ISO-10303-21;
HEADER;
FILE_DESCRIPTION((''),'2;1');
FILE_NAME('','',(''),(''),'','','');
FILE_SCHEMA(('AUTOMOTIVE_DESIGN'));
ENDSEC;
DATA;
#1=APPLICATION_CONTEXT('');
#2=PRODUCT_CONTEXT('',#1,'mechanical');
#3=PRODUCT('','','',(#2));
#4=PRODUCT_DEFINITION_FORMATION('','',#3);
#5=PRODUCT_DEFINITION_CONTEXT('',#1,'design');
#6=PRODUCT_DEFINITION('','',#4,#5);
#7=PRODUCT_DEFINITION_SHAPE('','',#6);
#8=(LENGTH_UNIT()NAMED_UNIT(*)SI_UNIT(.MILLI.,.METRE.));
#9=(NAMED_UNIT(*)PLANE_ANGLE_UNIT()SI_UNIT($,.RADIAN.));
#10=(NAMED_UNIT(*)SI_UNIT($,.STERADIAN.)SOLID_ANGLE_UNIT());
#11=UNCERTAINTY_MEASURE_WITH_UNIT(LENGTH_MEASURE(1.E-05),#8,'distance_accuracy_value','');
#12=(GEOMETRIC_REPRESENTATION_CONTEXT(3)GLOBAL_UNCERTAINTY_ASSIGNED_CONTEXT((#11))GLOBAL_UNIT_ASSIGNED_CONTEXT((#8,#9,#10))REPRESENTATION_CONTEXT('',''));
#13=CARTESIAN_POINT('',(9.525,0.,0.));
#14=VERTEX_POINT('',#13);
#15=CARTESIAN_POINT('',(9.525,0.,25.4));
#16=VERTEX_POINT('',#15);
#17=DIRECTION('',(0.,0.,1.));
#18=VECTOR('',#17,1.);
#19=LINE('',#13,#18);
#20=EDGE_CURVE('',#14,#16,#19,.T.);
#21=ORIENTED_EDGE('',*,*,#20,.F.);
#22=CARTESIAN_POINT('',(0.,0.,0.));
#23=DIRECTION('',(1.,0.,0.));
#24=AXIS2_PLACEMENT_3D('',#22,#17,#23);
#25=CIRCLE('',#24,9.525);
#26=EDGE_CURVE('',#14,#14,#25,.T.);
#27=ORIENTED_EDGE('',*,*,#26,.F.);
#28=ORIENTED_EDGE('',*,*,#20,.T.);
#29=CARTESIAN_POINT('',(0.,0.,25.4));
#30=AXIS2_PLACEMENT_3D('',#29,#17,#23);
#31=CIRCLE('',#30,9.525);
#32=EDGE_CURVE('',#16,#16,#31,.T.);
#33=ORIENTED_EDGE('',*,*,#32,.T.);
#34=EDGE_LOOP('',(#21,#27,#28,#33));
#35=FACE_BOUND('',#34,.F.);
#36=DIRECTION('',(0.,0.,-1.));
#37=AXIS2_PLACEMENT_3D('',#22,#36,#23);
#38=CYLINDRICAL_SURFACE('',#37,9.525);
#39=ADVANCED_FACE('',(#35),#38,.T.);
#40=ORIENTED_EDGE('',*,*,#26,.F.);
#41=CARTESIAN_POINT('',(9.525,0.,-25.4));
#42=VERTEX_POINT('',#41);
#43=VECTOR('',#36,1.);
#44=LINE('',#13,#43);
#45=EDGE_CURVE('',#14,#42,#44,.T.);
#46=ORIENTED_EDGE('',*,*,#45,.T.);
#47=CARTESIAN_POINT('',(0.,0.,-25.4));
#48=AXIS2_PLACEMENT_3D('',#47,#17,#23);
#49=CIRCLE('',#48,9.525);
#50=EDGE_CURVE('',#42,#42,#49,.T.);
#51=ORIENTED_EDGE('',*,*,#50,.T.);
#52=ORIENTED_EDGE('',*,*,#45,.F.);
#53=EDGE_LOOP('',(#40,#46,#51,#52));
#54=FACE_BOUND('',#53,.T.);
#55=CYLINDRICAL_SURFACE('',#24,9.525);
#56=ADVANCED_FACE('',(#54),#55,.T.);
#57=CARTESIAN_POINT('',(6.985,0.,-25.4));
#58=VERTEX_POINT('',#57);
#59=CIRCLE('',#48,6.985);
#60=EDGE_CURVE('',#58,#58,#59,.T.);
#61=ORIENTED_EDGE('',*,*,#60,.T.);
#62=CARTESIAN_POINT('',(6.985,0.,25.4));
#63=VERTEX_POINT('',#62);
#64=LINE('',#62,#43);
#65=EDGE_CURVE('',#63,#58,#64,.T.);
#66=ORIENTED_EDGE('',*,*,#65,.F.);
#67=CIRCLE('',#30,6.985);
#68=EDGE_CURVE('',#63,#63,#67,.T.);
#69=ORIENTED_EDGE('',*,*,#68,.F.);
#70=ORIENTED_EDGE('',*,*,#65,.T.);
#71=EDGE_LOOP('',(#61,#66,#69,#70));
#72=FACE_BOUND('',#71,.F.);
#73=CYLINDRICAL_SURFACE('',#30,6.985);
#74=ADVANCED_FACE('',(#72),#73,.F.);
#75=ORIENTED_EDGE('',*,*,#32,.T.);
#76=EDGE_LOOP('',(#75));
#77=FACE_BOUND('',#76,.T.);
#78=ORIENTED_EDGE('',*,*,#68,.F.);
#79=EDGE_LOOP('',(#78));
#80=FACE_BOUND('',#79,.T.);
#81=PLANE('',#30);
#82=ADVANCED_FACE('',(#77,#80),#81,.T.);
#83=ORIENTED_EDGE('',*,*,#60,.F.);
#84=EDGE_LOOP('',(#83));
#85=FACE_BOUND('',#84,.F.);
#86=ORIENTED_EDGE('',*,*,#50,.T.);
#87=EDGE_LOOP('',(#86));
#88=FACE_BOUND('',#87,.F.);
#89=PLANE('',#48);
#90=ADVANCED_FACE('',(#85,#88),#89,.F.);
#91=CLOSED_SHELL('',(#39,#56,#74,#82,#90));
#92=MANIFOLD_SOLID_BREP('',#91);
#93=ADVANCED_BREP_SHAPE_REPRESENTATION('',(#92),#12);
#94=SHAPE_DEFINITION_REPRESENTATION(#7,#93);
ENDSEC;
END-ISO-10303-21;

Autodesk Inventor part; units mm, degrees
ref_plane "YZ Plane" through (0, 0, 0) normal (1, 0, 0) x (0, 1, 0)
ref_plane "XZ Plane" through (0, 0, 0) normal (0, 1, 0) x (-1, 0, 0)
ref_plane "XY Plane" through (0, 0, 0) normal (0, 0, 1) x (1, 0, 0)
sketch "Sketch1" plane through (0, 0, 0) normal (0, 0, 1) x (1, 0, 0)
  circle A0 centre (0, 0) radius 9.525
  dimension "d0" = 19.05
extrude "Extrusion1" add sketch "Sketch1" along normal mid plane 50.8
sketch "Sketch2" plane through (0, 0, 25.4) normal (0, 0, 1) x (1, 0, 0)
  circle A0 centre (0, 0) radius 6.985
  circle A1 centre (0, 0) radius 9.525 projected
  dimension "d3" = 2.54
extrude "Extrusion2" cut sketch "Sketch2" against normal through all contours A0
properties part number "Test Tube" material "Glass"
